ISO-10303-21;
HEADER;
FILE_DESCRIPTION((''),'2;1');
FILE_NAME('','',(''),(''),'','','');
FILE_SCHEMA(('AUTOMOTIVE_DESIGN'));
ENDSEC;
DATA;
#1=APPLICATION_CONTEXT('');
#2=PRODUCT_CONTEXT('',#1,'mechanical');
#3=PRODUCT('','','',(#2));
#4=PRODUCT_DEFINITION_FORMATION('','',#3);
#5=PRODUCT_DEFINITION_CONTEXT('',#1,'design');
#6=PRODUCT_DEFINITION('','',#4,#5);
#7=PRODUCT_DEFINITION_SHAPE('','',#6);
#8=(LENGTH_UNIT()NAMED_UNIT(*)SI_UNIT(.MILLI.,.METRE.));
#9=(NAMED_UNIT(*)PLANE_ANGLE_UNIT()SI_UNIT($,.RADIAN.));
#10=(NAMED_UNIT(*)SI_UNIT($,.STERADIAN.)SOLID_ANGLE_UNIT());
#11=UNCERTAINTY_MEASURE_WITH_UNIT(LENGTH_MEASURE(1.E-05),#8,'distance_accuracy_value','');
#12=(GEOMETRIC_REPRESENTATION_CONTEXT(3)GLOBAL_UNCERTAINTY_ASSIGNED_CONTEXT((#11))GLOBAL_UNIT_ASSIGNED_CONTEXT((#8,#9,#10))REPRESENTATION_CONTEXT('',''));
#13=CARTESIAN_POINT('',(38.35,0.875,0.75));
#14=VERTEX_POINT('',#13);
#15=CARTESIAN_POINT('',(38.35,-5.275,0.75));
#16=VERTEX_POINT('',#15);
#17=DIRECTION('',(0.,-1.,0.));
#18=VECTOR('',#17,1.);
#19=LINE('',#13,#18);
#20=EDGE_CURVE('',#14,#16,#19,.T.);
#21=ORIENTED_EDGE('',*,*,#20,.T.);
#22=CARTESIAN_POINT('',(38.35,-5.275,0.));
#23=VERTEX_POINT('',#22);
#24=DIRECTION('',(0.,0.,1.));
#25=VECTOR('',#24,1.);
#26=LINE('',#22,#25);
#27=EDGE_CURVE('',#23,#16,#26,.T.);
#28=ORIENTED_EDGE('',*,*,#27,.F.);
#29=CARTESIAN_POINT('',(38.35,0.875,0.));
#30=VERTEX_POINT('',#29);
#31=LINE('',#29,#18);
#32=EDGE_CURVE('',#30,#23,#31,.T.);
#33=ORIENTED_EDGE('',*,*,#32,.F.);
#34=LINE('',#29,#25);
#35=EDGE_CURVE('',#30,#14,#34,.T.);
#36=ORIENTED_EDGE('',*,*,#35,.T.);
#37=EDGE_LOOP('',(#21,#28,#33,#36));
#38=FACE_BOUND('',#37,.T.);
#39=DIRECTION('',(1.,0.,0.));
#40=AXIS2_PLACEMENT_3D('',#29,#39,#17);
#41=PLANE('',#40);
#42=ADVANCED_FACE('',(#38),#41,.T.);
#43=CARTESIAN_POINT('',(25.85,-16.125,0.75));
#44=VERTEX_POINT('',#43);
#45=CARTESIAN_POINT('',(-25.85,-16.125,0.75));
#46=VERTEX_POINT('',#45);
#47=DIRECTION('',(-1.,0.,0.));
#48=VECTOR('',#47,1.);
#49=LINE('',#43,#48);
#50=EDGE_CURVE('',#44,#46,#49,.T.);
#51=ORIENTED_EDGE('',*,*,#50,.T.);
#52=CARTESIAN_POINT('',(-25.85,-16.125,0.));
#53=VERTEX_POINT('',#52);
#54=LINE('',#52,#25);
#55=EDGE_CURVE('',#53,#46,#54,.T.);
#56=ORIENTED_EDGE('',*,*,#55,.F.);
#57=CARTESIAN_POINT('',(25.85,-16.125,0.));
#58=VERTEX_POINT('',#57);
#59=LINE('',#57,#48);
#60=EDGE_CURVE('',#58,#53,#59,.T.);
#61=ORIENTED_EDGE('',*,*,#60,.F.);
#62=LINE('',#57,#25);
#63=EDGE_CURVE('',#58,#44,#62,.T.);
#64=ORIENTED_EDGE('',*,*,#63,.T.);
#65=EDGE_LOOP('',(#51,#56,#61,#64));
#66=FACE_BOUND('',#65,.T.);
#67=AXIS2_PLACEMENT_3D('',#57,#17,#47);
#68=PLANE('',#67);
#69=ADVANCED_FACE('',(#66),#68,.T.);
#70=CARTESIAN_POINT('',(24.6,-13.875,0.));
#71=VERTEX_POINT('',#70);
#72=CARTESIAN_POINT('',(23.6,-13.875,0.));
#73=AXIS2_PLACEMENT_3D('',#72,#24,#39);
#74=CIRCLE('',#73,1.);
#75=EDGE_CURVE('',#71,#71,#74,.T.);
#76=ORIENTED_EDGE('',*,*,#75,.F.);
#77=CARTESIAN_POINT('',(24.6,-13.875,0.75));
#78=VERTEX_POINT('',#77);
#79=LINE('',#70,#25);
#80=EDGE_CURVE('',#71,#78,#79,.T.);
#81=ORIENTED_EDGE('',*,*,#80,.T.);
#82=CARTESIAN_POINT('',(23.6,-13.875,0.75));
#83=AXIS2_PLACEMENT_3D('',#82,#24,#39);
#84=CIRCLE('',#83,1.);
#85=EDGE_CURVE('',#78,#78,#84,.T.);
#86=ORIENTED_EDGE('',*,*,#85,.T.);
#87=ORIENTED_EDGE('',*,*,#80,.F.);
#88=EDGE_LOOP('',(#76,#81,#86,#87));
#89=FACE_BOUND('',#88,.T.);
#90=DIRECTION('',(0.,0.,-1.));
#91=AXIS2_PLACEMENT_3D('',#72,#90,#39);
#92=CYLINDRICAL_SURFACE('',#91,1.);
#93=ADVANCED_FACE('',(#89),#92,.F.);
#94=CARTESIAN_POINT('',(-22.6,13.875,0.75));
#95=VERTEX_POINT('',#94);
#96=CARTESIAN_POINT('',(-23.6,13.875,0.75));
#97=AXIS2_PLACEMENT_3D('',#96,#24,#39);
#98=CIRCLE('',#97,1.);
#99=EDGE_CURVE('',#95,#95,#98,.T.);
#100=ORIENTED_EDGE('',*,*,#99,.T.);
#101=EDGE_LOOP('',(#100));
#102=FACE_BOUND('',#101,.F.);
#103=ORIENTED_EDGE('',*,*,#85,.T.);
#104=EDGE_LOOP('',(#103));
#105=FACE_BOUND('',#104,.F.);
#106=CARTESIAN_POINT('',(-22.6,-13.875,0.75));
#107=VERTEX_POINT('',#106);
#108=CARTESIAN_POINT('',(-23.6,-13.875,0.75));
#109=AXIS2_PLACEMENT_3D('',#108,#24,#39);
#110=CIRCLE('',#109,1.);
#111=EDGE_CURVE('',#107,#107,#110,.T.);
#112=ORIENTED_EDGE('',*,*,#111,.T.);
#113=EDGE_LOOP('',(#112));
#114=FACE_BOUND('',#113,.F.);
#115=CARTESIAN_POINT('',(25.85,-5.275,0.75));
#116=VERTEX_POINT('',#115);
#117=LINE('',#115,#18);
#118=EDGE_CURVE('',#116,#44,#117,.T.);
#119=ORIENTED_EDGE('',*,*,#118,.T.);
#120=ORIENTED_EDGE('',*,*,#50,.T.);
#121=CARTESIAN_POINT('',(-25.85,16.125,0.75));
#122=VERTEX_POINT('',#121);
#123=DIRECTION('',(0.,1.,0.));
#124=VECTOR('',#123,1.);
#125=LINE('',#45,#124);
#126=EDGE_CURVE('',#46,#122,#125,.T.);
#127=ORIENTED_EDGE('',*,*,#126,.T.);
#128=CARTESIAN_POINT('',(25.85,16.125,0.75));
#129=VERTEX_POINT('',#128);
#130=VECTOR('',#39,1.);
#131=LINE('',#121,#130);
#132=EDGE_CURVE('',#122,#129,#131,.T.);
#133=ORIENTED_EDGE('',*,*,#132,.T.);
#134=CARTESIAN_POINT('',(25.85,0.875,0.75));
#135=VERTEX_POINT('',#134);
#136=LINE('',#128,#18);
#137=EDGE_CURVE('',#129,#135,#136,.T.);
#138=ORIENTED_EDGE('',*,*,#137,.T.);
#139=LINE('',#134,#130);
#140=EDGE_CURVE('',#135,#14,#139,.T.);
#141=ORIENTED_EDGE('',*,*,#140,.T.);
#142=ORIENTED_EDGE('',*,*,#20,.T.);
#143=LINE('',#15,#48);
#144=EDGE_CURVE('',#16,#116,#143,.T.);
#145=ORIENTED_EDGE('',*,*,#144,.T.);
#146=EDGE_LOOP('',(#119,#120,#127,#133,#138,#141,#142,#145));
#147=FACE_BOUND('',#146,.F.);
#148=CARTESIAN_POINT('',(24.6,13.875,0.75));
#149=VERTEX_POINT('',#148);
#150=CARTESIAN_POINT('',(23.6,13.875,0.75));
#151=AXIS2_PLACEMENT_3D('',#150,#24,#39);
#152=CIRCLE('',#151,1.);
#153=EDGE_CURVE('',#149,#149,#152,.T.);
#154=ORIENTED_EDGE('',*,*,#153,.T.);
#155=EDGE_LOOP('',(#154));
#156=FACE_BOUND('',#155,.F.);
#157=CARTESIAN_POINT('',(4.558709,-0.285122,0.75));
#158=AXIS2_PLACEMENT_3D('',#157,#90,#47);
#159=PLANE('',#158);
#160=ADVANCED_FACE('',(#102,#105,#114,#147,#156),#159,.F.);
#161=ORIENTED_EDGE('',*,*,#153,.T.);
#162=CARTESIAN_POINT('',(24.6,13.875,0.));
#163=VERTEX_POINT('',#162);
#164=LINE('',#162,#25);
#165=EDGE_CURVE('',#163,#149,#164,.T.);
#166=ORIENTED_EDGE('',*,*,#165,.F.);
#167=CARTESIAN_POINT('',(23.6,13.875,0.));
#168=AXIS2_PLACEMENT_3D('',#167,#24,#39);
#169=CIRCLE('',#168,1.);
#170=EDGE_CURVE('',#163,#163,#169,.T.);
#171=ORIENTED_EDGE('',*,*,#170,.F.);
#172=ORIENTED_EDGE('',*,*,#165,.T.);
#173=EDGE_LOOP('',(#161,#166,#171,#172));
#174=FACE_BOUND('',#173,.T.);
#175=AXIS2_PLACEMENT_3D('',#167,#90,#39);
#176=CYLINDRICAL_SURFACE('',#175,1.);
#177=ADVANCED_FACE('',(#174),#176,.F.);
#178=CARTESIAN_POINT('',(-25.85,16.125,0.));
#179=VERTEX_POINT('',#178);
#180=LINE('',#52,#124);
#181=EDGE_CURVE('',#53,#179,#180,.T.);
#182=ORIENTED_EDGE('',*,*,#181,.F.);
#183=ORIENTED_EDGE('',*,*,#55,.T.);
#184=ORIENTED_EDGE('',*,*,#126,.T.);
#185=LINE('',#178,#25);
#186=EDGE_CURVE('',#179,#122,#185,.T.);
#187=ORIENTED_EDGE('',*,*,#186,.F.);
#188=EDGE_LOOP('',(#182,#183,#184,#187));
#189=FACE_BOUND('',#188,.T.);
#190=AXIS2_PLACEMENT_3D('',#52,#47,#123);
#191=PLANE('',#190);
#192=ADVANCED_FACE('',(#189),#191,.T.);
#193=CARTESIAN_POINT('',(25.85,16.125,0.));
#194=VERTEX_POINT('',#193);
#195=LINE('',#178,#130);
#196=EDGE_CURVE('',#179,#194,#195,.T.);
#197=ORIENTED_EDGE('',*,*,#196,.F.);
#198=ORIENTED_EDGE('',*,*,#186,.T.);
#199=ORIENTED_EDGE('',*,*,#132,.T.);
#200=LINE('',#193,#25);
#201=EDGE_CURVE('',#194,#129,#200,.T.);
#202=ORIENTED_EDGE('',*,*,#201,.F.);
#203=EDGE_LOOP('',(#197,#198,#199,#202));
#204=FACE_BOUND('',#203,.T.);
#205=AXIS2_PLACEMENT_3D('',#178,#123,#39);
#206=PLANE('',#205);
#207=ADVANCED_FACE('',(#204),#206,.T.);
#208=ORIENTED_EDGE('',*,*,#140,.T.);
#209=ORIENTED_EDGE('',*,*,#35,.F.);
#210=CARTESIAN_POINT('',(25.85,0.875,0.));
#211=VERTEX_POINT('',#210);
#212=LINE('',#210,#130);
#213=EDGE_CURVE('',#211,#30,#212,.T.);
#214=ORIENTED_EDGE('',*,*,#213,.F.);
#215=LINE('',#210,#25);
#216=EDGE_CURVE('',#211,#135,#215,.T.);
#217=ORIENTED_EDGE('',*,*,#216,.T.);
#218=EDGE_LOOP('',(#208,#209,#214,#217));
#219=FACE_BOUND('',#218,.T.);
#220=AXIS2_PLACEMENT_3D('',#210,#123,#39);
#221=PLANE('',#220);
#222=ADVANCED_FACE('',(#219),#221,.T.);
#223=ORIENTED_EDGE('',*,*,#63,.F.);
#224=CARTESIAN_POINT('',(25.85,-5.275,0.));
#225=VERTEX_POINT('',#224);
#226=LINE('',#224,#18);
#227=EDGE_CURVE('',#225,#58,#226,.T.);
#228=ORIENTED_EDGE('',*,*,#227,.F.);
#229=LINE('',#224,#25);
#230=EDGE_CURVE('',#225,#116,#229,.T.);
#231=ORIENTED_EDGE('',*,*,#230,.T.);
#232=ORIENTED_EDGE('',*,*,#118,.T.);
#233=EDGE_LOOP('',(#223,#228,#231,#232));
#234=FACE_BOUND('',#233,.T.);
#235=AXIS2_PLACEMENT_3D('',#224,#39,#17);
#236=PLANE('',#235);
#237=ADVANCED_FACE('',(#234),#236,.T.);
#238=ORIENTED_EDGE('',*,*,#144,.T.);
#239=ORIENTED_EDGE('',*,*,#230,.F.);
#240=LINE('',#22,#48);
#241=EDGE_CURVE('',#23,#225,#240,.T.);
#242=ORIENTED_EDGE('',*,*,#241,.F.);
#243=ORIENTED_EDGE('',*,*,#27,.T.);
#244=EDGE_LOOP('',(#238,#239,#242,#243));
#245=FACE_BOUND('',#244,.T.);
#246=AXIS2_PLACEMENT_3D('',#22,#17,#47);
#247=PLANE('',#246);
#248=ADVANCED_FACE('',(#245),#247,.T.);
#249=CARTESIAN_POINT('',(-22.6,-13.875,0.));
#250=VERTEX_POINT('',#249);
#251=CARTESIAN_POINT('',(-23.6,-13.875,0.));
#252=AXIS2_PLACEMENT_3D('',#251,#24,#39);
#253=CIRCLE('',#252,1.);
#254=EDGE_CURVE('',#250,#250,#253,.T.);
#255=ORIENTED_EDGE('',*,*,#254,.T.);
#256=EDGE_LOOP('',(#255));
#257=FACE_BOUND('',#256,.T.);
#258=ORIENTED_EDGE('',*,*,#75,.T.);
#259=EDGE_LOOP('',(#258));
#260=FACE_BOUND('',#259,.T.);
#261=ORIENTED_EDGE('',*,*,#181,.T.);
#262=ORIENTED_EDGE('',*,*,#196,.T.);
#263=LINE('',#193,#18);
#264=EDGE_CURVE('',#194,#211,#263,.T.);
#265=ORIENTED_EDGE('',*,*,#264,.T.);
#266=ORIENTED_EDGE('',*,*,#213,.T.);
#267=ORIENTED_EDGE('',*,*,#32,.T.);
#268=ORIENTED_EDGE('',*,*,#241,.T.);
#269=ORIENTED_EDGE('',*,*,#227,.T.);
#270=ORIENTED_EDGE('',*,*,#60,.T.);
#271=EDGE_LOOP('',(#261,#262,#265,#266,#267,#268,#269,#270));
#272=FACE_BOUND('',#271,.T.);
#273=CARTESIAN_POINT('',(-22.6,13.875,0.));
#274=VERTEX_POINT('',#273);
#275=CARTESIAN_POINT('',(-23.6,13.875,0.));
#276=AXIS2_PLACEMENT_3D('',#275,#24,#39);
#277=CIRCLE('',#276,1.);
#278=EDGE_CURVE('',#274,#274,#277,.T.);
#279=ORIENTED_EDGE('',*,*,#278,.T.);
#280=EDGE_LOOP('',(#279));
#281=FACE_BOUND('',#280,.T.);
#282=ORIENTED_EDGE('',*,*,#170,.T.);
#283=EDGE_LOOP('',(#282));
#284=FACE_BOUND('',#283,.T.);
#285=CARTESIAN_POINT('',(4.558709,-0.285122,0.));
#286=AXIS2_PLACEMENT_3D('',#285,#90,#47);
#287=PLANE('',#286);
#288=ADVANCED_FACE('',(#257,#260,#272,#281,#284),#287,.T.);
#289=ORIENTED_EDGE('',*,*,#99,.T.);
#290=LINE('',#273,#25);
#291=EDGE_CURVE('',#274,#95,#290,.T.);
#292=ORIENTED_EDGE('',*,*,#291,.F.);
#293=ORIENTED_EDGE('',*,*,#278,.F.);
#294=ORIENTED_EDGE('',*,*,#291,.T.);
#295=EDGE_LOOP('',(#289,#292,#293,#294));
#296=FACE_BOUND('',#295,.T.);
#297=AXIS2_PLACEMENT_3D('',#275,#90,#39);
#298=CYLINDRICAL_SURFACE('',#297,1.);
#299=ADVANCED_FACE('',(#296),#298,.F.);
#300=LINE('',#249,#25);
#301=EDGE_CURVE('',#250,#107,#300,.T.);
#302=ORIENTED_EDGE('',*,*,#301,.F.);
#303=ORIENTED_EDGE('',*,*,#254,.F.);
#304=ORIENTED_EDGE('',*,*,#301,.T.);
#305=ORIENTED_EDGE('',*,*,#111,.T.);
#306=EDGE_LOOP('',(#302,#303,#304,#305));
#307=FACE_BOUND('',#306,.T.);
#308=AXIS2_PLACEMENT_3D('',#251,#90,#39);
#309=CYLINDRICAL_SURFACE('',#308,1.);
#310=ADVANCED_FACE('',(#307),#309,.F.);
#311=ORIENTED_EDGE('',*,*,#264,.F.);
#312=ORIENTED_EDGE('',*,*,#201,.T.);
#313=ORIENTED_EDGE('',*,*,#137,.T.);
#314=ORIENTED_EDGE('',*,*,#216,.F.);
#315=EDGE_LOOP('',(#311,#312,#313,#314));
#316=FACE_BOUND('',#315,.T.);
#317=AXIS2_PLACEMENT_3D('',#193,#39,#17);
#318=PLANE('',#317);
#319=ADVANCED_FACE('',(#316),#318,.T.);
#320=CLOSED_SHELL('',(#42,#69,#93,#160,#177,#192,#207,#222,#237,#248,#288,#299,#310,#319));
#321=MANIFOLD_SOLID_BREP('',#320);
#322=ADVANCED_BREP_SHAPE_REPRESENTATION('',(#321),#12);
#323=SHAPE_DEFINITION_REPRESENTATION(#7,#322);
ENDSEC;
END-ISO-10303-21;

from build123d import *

# Parameters (mm, degrees)
SKETCH_R  = 1
PAD_DEPTH = 0.75


with BuildPart() as part:
    # Sketch → Pad (new body)
    with BuildSketch(Plane.XY):
        Polygon((-25.85, 16.125), (25.85, 16.125), (25.85, 0.875), (38.35, 0.875), (38.35, -5.275), (25.85, -5.275), (25.85, -16.125), (-25.85, -16.125), align=None)
        with Locations((-23.6, 13.875)):
            Circle(SKETCH_R, mode=Mode.SUBTRACT)
        with Locations((23.6, -13.875)):
            Circle(SKETCH_R, mode=Mode.SUBTRACT)
        with Locations((23.6, 13.875)):
            Circle(SKETCH_R, mode=Mode.SUBTRACT)
        with Locations((-23.6, -13.875)):
            Circle(SKETCH_R, mode=Mode.SUBTRACT)
    extrude(amount=PAD_DEPTH)


solid = part.part
